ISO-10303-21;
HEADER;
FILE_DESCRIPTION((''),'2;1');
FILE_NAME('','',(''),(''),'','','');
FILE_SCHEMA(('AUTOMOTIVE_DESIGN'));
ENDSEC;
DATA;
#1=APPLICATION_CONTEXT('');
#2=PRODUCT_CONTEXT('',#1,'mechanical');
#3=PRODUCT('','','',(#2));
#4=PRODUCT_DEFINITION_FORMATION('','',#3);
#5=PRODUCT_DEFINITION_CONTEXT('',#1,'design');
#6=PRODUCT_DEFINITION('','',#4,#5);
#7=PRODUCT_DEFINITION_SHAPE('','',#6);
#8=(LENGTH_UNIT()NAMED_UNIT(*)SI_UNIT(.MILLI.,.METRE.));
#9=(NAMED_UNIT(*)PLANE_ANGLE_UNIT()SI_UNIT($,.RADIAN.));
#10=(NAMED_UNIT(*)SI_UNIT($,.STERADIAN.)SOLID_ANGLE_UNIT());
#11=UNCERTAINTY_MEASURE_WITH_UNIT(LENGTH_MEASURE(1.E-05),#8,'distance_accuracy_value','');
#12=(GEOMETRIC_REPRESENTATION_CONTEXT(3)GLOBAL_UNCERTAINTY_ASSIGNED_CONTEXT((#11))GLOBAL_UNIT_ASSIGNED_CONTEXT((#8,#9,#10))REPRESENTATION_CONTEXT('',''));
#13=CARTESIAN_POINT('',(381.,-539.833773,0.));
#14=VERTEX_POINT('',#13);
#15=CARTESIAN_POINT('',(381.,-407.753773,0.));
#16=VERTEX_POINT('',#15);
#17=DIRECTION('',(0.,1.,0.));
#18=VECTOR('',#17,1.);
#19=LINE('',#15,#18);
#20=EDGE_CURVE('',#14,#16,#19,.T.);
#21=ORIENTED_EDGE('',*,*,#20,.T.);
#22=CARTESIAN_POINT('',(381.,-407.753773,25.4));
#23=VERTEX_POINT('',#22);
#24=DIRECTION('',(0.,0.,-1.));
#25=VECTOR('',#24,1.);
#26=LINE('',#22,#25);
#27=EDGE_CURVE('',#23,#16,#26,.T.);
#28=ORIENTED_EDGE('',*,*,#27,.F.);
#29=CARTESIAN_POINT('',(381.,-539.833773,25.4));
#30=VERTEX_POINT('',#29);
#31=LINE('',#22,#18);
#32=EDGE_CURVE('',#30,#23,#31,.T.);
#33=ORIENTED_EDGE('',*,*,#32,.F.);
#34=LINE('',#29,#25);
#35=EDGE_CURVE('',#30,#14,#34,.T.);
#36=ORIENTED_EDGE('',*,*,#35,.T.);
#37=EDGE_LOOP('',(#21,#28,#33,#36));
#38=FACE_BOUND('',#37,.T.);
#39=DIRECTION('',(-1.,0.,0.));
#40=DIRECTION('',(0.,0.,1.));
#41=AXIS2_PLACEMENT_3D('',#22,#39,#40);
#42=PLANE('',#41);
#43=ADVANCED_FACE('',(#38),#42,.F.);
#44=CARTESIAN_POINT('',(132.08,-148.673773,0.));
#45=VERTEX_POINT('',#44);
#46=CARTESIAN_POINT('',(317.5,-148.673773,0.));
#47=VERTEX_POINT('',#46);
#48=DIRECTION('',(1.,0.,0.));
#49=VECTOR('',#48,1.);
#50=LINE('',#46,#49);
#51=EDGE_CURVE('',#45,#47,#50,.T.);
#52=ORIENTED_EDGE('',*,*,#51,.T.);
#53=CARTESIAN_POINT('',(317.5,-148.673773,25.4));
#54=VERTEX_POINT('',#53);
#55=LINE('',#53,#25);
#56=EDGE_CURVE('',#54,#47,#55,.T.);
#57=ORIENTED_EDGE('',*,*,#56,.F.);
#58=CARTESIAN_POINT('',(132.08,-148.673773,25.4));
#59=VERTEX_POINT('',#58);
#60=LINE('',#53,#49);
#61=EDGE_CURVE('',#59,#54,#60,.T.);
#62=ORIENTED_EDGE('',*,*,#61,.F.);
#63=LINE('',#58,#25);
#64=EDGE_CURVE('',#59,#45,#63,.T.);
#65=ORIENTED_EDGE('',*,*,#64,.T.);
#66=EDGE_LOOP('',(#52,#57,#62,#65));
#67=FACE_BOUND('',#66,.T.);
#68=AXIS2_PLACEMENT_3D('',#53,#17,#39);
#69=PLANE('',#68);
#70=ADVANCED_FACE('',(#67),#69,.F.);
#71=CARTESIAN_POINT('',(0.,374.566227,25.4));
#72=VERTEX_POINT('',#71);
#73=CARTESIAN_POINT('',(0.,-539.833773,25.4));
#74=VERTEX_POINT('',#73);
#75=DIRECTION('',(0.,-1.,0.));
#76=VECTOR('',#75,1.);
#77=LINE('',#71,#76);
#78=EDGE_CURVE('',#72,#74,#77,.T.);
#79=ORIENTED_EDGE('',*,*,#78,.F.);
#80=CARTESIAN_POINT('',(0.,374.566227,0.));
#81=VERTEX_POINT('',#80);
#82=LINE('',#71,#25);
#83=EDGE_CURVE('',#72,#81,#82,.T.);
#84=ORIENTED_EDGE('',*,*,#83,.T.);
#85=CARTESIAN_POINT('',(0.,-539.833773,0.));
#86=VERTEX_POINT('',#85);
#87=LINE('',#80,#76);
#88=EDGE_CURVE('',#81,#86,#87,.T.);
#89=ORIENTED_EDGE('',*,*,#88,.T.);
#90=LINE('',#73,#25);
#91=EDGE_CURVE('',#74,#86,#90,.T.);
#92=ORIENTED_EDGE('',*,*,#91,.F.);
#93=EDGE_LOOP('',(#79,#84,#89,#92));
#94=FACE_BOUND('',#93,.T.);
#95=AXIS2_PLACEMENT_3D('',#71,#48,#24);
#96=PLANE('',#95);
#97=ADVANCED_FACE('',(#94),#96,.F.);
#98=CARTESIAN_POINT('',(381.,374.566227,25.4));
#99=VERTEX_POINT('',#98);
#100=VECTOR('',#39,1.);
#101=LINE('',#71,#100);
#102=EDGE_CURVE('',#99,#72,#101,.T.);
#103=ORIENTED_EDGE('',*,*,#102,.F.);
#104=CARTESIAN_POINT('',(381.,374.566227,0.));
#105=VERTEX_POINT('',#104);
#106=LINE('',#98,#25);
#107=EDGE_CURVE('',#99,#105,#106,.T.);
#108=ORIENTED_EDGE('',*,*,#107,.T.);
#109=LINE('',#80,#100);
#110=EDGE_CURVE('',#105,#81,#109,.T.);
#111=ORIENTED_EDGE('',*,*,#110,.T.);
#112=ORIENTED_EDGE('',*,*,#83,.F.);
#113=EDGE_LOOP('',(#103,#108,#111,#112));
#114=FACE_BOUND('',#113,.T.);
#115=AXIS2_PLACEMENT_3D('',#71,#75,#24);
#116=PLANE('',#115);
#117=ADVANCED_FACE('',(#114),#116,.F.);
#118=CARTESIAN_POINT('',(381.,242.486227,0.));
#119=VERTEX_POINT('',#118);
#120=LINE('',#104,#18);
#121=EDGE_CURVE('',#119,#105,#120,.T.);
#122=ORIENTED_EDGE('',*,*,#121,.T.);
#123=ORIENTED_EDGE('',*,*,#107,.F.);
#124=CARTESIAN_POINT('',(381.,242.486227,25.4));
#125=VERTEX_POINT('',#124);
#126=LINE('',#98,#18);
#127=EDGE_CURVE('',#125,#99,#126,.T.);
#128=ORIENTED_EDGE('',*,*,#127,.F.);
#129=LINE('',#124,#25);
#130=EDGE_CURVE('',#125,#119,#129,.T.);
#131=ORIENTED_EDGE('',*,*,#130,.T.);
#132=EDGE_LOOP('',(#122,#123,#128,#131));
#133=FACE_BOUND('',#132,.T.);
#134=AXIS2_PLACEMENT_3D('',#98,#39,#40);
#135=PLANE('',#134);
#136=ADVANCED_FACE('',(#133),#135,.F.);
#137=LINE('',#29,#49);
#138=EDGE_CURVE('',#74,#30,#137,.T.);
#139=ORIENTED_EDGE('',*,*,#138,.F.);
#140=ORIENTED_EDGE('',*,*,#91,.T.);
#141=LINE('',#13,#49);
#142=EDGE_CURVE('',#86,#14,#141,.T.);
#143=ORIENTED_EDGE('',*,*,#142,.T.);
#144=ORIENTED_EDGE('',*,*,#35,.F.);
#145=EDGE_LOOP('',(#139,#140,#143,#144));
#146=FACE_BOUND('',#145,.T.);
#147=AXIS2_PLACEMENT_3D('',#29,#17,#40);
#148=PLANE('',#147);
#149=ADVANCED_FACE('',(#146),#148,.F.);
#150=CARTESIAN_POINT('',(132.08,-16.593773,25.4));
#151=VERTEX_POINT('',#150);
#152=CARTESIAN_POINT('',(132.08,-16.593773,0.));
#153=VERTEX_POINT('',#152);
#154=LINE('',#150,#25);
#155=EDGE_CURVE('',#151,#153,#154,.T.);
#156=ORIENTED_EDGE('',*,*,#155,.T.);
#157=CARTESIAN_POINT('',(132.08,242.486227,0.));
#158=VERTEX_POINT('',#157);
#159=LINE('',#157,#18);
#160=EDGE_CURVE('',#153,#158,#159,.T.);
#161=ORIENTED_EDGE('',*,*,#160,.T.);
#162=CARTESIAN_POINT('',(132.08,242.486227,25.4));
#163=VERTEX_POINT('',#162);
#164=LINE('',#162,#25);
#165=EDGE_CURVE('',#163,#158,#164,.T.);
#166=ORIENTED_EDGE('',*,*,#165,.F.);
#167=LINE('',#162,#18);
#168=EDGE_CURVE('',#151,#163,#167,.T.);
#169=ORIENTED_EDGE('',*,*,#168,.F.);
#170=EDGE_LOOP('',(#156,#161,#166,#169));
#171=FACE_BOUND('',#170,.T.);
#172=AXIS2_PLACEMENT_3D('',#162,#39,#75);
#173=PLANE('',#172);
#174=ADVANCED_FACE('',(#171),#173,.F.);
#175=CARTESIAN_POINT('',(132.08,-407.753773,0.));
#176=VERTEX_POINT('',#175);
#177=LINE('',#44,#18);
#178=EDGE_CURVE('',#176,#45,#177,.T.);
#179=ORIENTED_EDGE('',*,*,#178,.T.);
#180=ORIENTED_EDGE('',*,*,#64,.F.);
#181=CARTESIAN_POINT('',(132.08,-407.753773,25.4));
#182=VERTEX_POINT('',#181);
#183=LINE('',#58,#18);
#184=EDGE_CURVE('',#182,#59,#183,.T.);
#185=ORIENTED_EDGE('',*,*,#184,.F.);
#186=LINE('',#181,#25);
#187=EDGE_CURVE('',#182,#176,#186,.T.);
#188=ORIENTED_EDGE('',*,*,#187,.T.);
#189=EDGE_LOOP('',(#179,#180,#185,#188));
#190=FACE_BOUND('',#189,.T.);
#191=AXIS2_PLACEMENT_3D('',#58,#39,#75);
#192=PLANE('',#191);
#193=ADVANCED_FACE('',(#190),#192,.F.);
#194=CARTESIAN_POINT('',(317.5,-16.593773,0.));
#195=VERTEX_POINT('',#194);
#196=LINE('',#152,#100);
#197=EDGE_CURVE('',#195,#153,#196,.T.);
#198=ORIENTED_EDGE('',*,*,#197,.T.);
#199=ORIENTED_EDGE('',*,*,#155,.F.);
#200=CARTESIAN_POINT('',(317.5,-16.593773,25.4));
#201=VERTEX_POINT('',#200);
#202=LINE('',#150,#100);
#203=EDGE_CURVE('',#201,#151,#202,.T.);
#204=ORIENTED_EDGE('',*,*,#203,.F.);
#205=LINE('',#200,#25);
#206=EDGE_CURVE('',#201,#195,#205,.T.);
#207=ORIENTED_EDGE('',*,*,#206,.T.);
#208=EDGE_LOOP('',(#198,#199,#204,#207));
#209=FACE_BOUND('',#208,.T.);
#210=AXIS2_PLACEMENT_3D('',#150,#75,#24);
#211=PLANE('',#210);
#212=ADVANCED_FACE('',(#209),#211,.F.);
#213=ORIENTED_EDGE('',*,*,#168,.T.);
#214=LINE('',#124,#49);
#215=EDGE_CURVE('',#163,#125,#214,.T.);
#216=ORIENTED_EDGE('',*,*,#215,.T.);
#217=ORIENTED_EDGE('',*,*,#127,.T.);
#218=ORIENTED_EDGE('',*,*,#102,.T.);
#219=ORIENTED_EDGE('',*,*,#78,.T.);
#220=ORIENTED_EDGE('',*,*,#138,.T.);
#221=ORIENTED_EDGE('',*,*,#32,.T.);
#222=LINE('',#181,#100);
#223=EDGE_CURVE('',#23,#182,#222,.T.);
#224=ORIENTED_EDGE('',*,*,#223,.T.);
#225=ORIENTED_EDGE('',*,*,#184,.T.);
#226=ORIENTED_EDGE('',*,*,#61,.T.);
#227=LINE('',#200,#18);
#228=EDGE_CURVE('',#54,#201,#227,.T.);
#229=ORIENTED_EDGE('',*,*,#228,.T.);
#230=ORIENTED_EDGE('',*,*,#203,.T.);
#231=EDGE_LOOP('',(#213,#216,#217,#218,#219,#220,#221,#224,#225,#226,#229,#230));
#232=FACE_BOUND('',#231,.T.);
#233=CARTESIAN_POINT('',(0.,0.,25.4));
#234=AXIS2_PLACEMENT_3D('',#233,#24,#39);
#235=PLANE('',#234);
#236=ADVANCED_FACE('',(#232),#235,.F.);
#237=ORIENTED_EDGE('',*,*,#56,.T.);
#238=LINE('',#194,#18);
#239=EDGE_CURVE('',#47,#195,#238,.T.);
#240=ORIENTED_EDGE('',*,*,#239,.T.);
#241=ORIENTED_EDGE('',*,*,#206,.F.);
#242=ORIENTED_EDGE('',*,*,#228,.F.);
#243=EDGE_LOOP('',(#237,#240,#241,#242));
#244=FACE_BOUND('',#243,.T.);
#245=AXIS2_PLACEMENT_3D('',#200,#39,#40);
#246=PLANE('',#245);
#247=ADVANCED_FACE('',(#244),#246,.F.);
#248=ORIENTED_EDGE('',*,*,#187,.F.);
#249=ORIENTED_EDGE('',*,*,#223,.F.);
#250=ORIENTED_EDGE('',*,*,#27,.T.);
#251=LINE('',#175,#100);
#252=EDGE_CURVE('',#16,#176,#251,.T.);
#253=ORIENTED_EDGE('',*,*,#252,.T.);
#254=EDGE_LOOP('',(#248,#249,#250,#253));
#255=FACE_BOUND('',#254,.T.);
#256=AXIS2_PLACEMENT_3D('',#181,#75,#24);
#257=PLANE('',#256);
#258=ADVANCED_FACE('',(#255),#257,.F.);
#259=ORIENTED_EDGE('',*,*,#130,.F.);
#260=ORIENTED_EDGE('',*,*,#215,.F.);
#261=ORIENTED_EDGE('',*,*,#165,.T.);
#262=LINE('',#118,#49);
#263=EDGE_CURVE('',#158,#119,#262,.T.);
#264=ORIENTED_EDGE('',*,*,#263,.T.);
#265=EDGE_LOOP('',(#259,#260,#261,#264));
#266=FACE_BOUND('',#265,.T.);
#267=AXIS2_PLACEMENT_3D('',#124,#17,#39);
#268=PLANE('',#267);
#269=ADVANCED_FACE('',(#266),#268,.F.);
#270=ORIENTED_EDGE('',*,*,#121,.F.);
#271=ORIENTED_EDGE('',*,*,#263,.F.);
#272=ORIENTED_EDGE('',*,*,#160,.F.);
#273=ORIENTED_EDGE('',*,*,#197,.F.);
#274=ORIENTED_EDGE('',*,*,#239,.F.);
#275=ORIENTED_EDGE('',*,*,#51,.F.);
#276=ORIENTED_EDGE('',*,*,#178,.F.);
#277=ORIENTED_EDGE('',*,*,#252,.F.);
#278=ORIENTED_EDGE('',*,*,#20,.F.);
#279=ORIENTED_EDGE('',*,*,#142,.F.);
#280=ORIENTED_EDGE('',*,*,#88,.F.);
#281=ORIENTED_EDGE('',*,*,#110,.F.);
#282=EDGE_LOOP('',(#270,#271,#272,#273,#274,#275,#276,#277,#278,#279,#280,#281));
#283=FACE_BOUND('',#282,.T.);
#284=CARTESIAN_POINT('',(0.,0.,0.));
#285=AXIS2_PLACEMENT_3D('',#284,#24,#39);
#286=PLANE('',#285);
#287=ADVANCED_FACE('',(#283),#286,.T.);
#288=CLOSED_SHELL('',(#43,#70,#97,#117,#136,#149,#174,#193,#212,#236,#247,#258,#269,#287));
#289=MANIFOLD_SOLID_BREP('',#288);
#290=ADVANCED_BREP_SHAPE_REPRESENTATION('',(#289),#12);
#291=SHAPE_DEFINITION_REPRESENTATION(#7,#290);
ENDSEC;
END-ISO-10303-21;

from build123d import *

# Parameters (mm, degrees)
BOSS_EXTRUDE1_DEPTH = 25.4


with BuildPart() as part:
    # Sketch1 → Boss-Extrude1 (new body)
    with BuildSketch(Plane.XY):
        Polygon((0, 374.566226913), (0, -539.833773087), (381, -539.833773087), (381, -407.753773087), (132.08, -407.753773087), (132.08, -148.673773087), (317.5, -148.673773087), (317.5, -16.593773087), (132.08, -16.593773087), (132.08, 242.486226913), (381, 242.486226913), (381, 374.566226913), align=None)
    extrude(amount=BOSS_EXTRUDE1_DEPTH)


solid = part.part
